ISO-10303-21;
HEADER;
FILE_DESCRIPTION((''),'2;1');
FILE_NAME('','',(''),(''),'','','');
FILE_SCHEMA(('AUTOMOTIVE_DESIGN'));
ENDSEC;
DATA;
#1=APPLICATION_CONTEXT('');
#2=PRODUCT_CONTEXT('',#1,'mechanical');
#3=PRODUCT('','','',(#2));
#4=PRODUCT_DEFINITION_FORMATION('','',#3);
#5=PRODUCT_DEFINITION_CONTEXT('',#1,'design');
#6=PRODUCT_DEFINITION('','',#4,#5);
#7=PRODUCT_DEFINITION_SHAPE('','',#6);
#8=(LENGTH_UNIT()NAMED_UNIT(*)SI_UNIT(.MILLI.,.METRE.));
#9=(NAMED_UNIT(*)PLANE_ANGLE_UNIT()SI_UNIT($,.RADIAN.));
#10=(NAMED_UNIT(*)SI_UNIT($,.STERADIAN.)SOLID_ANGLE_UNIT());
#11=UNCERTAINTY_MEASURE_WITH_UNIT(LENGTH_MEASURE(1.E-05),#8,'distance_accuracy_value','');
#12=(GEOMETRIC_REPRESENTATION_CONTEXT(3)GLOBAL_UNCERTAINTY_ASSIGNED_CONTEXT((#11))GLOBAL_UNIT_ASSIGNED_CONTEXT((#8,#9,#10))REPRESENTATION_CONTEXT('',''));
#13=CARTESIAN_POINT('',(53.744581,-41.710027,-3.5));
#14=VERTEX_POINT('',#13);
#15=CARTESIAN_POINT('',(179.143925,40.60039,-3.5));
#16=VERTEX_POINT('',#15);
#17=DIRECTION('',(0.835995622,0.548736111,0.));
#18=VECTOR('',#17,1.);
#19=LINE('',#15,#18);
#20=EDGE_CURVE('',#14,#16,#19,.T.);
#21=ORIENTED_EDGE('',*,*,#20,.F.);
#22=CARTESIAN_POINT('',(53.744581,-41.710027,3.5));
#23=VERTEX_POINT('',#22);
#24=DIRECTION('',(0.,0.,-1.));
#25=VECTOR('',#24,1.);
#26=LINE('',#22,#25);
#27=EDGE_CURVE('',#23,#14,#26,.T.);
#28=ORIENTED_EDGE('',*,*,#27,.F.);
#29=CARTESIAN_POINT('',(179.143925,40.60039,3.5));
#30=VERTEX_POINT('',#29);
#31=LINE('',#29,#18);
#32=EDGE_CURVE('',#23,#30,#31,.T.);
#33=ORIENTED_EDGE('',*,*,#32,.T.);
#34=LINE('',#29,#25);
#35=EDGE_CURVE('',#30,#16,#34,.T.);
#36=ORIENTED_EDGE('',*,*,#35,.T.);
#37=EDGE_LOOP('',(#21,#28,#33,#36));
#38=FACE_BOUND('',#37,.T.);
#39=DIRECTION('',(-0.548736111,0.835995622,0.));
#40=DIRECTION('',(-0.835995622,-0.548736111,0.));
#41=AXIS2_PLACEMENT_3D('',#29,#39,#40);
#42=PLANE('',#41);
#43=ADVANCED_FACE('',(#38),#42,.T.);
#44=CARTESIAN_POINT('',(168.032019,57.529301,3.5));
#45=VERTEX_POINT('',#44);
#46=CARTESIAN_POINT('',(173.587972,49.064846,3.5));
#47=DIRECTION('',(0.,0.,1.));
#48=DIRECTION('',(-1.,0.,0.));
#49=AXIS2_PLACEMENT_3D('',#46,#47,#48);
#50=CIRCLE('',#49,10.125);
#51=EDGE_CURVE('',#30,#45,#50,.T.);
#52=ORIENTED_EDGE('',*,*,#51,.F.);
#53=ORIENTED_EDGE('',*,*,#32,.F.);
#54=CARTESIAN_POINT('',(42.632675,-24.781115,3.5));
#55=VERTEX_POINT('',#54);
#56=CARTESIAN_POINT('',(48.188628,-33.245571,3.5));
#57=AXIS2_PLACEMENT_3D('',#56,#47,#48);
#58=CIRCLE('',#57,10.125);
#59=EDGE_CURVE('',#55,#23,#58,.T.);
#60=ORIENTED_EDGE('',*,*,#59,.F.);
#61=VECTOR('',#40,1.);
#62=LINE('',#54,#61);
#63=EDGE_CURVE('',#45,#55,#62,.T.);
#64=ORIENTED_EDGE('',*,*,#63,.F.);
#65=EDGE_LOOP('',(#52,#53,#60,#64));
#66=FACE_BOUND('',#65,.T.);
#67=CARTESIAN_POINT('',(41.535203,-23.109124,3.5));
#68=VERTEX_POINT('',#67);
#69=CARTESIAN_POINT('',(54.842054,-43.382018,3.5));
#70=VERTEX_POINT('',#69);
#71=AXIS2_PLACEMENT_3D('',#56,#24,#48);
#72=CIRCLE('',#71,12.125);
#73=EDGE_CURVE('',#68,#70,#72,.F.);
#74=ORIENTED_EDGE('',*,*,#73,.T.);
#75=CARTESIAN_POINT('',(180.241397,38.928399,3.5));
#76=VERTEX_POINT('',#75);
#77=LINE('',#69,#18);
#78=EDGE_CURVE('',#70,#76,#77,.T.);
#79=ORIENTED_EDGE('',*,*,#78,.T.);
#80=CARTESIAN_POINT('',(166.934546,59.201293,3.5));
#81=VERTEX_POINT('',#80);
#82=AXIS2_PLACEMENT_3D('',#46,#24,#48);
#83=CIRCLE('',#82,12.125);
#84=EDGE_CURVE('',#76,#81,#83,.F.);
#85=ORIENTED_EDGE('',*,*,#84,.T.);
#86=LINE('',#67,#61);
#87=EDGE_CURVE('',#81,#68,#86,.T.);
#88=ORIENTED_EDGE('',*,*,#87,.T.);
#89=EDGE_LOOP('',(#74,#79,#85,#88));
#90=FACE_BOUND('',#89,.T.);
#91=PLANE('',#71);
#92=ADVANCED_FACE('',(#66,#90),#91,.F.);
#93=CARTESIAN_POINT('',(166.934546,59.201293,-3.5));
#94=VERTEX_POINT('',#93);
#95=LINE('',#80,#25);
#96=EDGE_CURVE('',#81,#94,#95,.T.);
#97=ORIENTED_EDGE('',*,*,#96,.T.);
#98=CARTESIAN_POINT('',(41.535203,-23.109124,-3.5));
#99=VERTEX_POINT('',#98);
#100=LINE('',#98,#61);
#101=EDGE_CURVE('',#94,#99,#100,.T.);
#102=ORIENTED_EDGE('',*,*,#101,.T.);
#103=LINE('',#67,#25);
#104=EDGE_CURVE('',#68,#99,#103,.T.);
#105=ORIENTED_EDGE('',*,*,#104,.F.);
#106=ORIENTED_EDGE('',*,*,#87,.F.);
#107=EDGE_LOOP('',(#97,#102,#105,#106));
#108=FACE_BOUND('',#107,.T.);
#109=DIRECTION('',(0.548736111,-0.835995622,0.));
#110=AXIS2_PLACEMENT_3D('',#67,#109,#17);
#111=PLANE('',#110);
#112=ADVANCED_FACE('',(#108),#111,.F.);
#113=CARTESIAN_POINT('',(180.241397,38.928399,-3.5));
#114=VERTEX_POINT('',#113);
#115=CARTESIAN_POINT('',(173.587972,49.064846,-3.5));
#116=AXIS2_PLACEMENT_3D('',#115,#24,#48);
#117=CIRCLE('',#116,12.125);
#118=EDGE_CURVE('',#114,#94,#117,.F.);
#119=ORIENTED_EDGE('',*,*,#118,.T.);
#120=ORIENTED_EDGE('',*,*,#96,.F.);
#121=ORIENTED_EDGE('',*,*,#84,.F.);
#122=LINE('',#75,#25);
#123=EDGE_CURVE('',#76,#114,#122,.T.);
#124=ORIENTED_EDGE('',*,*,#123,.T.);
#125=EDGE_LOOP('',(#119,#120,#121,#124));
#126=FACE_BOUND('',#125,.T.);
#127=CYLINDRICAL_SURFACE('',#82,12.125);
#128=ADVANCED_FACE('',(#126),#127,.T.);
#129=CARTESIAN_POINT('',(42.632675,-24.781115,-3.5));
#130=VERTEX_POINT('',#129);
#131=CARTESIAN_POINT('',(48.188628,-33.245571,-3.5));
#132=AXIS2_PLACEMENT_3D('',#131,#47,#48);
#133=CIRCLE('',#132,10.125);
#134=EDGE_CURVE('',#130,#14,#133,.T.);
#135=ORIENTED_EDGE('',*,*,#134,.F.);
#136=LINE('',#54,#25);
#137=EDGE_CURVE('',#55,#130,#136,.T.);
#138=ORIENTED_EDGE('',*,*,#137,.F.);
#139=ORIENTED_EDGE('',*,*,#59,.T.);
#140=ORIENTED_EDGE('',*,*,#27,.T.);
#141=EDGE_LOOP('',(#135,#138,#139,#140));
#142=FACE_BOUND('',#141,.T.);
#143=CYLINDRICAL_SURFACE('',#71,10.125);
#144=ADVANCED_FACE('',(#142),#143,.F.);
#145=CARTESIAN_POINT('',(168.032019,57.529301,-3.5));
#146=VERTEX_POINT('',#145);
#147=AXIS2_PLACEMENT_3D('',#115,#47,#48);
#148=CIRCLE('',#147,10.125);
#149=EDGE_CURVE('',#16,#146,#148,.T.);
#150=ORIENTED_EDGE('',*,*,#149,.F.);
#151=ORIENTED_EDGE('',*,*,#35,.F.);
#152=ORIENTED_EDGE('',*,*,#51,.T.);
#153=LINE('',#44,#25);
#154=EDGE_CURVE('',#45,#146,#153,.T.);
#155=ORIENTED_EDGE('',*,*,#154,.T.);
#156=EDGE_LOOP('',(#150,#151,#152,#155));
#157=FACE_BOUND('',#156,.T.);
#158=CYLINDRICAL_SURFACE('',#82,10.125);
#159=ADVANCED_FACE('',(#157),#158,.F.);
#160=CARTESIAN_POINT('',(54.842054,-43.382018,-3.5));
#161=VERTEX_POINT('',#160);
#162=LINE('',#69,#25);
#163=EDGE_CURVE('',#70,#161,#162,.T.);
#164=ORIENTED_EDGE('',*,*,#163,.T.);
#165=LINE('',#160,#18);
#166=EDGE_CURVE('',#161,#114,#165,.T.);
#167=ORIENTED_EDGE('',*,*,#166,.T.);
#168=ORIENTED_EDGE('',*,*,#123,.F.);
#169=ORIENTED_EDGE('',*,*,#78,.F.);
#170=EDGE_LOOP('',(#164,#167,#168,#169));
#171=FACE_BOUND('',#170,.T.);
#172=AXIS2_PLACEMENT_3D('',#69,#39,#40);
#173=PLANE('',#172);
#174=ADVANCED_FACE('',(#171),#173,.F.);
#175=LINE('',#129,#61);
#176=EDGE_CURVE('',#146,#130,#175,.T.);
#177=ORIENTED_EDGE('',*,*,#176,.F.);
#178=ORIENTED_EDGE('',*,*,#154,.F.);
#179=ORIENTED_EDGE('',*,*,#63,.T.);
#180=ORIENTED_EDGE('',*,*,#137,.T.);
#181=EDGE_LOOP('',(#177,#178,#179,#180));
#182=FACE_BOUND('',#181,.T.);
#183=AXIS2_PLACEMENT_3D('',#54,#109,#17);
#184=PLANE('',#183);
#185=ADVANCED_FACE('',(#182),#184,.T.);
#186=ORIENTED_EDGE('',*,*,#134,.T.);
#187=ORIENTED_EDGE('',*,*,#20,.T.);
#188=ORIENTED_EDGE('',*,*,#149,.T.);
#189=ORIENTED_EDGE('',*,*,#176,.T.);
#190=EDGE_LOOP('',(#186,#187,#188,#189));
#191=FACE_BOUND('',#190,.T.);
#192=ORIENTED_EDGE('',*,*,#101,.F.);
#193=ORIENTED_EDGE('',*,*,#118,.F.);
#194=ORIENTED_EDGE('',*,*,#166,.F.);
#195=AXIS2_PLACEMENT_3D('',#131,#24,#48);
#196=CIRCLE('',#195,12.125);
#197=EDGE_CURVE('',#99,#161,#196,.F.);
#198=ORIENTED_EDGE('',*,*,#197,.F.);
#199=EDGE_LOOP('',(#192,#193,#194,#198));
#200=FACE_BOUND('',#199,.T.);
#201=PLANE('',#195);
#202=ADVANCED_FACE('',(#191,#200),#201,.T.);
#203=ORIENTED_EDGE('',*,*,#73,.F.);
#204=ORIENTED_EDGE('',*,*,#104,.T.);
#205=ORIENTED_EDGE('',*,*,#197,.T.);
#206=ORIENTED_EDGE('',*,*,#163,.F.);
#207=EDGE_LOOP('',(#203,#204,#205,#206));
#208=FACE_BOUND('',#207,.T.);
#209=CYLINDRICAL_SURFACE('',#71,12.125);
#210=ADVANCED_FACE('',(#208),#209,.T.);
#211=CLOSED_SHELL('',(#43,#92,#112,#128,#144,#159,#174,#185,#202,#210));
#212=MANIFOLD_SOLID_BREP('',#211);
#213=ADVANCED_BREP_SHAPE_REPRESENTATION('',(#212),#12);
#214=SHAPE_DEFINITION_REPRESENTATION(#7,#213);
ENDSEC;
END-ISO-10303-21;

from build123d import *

# Parameters (mm, degrees)
EXTRUDE_1_DEPTH = 3.5


with BuildPart() as part:
    # 草图2 → 拉伸-薄壁1 (new, symmetric)
    with BuildSketch(Plane.XY):
        with BuildLine():
            Line((180.241397001, 38.928398846), (54.842053695, -43.382017861))
            ThreePointArc((54.842053695, -43.382017861), (38.052181428, -39.898996294), (41.535202994, -23.109124026))
            Line((41.535202994, -23.109124026), (166.9345463, 59.201292681))
            ThreePointArc((166.9345463, 59.201292681), (183.724418568, 55.718271114), (180.241397001, 38.928398846))
        make_face()
        with BuildLine():
            Line((179.143924778, 40.60039009), (53.744581473, -41.710026617))
            ThreePointArc((53.744581473, -41.710026617), (39.724172672, -38.801524071), (42.632675217, -24.78111527))
            Line((42.632675217, -24.78111527), (168.032018523, 57.529301437))
            ThreePointArc((168.032018523, 57.529301437), (182.052427324, 54.620798891), (179.143924778, 40.60039009))
        make_face(mode=Mode.SUBTRACT)
    extrude(amount=EXTRUDE_1_DEPTH, both=True)


solid = part.part
